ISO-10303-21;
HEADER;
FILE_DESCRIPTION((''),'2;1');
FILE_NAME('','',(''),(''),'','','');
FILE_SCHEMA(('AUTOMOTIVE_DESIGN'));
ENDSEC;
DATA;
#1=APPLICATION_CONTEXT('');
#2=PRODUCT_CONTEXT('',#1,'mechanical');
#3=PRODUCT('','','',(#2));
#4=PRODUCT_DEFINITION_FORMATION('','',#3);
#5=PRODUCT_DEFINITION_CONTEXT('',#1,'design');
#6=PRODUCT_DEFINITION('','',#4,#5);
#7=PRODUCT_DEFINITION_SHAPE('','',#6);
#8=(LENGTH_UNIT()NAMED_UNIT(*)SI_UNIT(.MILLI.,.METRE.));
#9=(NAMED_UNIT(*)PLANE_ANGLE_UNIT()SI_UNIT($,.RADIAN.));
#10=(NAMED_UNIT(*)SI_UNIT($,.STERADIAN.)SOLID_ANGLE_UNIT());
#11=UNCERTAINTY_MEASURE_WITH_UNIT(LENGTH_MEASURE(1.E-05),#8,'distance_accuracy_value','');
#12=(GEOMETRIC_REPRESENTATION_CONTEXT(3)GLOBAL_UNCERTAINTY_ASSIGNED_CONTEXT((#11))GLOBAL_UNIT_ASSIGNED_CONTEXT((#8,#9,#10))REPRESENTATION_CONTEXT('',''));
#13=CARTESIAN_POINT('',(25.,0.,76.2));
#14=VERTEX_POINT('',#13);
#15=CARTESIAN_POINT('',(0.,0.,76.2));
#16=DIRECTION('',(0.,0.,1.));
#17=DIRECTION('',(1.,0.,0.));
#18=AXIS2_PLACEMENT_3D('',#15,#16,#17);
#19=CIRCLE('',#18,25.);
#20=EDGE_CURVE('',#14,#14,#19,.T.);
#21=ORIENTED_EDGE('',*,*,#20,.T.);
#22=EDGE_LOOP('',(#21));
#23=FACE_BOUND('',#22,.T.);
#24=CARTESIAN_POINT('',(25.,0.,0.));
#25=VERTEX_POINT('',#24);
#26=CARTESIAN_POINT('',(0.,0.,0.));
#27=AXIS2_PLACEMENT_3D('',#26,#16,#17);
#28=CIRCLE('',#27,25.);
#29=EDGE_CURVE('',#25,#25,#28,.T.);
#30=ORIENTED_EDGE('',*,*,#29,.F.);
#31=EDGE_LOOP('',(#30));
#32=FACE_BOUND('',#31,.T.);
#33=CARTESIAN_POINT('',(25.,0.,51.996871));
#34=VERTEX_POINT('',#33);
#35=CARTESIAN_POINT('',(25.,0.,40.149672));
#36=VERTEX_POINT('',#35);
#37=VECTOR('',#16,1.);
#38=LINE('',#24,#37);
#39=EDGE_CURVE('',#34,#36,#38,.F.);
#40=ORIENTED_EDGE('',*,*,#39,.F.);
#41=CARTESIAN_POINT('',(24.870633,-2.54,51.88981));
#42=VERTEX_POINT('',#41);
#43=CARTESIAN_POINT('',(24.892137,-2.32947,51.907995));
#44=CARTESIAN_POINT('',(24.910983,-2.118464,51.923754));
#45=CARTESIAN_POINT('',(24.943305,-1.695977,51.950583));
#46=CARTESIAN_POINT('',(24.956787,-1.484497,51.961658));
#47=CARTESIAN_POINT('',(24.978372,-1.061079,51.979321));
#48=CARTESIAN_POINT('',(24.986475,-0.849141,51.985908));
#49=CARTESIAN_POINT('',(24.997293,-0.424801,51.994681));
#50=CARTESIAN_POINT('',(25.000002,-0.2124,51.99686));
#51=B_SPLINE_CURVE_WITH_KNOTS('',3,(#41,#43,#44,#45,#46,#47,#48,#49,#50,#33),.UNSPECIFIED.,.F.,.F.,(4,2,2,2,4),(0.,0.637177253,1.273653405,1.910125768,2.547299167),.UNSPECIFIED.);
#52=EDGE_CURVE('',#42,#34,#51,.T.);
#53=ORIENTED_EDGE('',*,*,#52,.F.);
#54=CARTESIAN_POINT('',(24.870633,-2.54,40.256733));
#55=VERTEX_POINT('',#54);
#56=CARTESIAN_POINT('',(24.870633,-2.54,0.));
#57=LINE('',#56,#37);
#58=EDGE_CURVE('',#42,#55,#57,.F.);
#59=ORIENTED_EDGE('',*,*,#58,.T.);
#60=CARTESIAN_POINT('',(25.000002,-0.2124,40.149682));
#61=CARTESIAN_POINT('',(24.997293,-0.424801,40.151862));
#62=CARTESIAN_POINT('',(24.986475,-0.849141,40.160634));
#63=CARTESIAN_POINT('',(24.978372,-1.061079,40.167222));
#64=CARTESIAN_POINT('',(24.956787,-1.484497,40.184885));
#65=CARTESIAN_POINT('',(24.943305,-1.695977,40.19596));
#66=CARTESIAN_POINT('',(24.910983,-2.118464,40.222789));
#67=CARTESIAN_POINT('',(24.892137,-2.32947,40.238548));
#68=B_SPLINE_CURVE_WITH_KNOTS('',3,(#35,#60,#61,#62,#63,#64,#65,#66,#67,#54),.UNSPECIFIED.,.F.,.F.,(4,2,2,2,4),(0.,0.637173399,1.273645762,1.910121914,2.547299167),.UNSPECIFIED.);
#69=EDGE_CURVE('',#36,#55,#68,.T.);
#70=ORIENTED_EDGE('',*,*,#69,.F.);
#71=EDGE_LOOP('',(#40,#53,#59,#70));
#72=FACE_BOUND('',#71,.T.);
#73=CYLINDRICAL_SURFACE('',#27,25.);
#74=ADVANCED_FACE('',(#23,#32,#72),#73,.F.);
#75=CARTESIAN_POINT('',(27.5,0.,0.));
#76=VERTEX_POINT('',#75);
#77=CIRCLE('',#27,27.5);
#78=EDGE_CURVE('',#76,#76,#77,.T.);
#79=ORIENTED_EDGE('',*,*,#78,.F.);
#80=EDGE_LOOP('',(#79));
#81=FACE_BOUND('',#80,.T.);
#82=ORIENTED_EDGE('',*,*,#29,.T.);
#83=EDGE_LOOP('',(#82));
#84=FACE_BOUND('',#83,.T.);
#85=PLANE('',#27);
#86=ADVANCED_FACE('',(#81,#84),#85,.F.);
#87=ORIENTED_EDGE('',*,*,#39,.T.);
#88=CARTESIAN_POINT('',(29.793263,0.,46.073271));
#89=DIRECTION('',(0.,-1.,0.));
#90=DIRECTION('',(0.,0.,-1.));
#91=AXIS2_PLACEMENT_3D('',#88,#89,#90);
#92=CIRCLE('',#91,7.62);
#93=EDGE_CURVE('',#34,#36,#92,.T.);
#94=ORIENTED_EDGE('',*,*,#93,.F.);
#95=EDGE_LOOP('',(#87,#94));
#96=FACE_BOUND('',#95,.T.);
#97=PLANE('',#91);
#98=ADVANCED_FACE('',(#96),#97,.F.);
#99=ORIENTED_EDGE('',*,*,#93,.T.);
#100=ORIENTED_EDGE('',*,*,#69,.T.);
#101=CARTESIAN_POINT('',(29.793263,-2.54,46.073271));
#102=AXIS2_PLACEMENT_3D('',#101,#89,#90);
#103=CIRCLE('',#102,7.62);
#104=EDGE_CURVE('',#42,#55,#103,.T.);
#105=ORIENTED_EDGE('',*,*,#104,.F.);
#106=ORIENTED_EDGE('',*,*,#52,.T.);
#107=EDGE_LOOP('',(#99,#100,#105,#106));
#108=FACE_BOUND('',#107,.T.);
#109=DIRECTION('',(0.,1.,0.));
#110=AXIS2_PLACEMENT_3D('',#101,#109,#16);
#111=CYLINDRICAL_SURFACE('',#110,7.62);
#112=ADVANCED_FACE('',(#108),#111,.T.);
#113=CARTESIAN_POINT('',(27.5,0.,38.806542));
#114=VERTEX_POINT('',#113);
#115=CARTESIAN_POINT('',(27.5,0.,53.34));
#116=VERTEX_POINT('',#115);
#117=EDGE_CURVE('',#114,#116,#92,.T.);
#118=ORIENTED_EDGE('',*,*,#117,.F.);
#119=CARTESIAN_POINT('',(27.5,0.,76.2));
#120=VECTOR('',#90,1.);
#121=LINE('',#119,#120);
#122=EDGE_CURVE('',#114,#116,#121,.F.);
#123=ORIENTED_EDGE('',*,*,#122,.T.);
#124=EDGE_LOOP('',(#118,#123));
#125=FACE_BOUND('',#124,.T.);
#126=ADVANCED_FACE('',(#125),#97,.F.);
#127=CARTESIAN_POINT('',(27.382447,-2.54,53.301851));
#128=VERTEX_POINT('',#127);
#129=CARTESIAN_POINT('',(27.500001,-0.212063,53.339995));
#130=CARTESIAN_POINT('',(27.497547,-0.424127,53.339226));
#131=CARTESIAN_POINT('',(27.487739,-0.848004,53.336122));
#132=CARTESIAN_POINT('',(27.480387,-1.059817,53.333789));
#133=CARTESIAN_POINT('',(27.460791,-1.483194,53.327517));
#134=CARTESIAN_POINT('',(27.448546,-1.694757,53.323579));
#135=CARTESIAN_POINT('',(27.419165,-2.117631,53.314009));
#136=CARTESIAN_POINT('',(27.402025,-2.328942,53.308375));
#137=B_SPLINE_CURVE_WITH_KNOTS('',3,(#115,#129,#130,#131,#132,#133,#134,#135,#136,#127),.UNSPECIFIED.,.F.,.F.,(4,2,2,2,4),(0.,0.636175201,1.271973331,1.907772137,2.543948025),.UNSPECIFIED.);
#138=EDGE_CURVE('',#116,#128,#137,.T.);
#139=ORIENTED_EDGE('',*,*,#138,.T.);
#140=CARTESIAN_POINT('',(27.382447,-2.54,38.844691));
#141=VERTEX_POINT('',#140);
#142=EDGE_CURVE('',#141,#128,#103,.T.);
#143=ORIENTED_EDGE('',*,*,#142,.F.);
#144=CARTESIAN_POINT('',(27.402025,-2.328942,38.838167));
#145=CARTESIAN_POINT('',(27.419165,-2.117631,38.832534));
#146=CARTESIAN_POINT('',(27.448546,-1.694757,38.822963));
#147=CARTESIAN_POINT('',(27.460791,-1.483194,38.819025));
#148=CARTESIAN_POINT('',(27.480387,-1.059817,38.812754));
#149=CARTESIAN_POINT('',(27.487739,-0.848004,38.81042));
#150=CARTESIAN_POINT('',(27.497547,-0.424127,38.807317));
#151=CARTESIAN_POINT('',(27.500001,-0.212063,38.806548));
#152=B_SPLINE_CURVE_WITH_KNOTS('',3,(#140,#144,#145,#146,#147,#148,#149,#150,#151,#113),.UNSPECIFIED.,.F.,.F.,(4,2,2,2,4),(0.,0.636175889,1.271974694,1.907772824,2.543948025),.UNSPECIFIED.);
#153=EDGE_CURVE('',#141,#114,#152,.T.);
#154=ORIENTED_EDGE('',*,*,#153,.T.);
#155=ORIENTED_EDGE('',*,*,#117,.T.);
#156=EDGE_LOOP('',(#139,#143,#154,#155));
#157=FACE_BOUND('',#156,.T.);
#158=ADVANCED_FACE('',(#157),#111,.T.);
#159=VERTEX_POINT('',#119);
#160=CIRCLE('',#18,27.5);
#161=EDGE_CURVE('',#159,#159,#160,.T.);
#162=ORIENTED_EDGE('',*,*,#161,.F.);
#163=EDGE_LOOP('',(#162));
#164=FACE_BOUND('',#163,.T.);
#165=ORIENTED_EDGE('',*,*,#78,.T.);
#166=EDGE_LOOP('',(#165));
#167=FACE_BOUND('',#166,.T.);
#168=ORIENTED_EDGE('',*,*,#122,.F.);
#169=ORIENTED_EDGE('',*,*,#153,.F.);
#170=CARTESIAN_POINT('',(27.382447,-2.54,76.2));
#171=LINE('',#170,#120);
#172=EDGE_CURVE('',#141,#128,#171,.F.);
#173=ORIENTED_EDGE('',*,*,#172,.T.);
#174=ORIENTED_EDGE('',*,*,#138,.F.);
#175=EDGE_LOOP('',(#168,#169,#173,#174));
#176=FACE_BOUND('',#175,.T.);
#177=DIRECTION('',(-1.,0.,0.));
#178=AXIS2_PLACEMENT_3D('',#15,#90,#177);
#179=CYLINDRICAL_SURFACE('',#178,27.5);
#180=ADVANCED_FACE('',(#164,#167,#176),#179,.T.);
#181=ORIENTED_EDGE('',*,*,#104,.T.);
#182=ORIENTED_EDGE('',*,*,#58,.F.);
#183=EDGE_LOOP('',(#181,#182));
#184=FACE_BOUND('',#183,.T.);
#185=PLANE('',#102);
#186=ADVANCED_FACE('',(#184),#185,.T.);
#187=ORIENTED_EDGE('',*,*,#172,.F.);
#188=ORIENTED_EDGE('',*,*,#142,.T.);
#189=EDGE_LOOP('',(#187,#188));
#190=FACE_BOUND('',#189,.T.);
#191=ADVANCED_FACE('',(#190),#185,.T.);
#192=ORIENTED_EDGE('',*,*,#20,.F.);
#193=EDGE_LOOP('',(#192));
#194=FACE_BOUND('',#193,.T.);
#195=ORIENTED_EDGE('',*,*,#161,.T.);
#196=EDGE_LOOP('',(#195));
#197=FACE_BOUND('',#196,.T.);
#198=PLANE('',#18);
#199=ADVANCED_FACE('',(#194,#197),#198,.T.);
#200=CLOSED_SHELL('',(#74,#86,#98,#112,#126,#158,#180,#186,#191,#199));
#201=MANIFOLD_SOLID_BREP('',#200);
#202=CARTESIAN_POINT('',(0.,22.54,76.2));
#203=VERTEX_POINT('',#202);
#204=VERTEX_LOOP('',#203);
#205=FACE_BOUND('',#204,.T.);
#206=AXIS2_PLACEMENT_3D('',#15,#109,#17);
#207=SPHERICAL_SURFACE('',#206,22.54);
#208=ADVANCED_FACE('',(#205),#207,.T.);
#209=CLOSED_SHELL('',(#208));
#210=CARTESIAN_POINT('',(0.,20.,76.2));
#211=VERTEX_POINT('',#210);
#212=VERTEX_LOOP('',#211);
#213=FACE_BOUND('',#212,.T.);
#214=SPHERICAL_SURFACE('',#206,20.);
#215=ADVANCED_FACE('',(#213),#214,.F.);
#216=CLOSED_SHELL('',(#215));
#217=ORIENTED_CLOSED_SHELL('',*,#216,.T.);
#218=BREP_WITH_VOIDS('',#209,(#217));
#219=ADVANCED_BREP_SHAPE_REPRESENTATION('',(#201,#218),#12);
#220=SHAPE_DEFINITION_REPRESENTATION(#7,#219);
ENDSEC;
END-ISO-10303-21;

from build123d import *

# Parameters (mm, degrees)
SKETCH1_R           = 27.5
BOSS_EXTRUDE1_DEPTH = 76.2
SKETCH2_R           = 25
CUT_EXTRUDE1_DEPTH  = 76.2
SKETCH6_R           = 7.62
BOSS_EXTRUDE3_DEPTH = 2.54


with BuildPart() as part:
    # Sketch1 → Boss-Extrude1 (new body)
    with BuildSketch(Plane.XY):
        Circle(SKETCH1_R)
    extrude(amount=BOSS_EXTRUDE1_DEPTH)

    # Sketch2 → Cut-Extrude1 (cut)
    with BuildSketch(Plane.XY.offset(76.2)):
        Circle(SKETCH2_R)
    extrude(amount=-CUT_EXTRUDE1_DEPTH, mode=Mode.SUBTRACT)

    # Sketch6 → Boss-Extrude3 (add)
    with BuildSketch(Plane(origin=(0, 0, 0), x_dir=(-1, 0, 0), z_dir=(0, -1, 0))):
        with Locations((-29.793262581, -46.07327125)):
            Circle(SKETCH6_R)
    extrude(amount=BOSS_EXTRUDE3_DEPTH)


with BuildPart() as body_2:
    # Sketch3 → Revolve-Thin1 (revolve)
    with BuildSketch(Plane.XY.offset(76.2)):
        with BuildLine():
            ThreePointArc((0, -20), (20, 0), (0, 20))
            Line((0, 20), (0, 22.54))
            ThreePointArc((0, 22.54), (22.54, 0), (0, -22.54))
            Line((0, -22.54), (0, -20))
        make_face()
    revolve(axis=Axis((0, 27.5, 76.2), (0, -1, 0)))


solid = Compound([part.part, body_2.part])
